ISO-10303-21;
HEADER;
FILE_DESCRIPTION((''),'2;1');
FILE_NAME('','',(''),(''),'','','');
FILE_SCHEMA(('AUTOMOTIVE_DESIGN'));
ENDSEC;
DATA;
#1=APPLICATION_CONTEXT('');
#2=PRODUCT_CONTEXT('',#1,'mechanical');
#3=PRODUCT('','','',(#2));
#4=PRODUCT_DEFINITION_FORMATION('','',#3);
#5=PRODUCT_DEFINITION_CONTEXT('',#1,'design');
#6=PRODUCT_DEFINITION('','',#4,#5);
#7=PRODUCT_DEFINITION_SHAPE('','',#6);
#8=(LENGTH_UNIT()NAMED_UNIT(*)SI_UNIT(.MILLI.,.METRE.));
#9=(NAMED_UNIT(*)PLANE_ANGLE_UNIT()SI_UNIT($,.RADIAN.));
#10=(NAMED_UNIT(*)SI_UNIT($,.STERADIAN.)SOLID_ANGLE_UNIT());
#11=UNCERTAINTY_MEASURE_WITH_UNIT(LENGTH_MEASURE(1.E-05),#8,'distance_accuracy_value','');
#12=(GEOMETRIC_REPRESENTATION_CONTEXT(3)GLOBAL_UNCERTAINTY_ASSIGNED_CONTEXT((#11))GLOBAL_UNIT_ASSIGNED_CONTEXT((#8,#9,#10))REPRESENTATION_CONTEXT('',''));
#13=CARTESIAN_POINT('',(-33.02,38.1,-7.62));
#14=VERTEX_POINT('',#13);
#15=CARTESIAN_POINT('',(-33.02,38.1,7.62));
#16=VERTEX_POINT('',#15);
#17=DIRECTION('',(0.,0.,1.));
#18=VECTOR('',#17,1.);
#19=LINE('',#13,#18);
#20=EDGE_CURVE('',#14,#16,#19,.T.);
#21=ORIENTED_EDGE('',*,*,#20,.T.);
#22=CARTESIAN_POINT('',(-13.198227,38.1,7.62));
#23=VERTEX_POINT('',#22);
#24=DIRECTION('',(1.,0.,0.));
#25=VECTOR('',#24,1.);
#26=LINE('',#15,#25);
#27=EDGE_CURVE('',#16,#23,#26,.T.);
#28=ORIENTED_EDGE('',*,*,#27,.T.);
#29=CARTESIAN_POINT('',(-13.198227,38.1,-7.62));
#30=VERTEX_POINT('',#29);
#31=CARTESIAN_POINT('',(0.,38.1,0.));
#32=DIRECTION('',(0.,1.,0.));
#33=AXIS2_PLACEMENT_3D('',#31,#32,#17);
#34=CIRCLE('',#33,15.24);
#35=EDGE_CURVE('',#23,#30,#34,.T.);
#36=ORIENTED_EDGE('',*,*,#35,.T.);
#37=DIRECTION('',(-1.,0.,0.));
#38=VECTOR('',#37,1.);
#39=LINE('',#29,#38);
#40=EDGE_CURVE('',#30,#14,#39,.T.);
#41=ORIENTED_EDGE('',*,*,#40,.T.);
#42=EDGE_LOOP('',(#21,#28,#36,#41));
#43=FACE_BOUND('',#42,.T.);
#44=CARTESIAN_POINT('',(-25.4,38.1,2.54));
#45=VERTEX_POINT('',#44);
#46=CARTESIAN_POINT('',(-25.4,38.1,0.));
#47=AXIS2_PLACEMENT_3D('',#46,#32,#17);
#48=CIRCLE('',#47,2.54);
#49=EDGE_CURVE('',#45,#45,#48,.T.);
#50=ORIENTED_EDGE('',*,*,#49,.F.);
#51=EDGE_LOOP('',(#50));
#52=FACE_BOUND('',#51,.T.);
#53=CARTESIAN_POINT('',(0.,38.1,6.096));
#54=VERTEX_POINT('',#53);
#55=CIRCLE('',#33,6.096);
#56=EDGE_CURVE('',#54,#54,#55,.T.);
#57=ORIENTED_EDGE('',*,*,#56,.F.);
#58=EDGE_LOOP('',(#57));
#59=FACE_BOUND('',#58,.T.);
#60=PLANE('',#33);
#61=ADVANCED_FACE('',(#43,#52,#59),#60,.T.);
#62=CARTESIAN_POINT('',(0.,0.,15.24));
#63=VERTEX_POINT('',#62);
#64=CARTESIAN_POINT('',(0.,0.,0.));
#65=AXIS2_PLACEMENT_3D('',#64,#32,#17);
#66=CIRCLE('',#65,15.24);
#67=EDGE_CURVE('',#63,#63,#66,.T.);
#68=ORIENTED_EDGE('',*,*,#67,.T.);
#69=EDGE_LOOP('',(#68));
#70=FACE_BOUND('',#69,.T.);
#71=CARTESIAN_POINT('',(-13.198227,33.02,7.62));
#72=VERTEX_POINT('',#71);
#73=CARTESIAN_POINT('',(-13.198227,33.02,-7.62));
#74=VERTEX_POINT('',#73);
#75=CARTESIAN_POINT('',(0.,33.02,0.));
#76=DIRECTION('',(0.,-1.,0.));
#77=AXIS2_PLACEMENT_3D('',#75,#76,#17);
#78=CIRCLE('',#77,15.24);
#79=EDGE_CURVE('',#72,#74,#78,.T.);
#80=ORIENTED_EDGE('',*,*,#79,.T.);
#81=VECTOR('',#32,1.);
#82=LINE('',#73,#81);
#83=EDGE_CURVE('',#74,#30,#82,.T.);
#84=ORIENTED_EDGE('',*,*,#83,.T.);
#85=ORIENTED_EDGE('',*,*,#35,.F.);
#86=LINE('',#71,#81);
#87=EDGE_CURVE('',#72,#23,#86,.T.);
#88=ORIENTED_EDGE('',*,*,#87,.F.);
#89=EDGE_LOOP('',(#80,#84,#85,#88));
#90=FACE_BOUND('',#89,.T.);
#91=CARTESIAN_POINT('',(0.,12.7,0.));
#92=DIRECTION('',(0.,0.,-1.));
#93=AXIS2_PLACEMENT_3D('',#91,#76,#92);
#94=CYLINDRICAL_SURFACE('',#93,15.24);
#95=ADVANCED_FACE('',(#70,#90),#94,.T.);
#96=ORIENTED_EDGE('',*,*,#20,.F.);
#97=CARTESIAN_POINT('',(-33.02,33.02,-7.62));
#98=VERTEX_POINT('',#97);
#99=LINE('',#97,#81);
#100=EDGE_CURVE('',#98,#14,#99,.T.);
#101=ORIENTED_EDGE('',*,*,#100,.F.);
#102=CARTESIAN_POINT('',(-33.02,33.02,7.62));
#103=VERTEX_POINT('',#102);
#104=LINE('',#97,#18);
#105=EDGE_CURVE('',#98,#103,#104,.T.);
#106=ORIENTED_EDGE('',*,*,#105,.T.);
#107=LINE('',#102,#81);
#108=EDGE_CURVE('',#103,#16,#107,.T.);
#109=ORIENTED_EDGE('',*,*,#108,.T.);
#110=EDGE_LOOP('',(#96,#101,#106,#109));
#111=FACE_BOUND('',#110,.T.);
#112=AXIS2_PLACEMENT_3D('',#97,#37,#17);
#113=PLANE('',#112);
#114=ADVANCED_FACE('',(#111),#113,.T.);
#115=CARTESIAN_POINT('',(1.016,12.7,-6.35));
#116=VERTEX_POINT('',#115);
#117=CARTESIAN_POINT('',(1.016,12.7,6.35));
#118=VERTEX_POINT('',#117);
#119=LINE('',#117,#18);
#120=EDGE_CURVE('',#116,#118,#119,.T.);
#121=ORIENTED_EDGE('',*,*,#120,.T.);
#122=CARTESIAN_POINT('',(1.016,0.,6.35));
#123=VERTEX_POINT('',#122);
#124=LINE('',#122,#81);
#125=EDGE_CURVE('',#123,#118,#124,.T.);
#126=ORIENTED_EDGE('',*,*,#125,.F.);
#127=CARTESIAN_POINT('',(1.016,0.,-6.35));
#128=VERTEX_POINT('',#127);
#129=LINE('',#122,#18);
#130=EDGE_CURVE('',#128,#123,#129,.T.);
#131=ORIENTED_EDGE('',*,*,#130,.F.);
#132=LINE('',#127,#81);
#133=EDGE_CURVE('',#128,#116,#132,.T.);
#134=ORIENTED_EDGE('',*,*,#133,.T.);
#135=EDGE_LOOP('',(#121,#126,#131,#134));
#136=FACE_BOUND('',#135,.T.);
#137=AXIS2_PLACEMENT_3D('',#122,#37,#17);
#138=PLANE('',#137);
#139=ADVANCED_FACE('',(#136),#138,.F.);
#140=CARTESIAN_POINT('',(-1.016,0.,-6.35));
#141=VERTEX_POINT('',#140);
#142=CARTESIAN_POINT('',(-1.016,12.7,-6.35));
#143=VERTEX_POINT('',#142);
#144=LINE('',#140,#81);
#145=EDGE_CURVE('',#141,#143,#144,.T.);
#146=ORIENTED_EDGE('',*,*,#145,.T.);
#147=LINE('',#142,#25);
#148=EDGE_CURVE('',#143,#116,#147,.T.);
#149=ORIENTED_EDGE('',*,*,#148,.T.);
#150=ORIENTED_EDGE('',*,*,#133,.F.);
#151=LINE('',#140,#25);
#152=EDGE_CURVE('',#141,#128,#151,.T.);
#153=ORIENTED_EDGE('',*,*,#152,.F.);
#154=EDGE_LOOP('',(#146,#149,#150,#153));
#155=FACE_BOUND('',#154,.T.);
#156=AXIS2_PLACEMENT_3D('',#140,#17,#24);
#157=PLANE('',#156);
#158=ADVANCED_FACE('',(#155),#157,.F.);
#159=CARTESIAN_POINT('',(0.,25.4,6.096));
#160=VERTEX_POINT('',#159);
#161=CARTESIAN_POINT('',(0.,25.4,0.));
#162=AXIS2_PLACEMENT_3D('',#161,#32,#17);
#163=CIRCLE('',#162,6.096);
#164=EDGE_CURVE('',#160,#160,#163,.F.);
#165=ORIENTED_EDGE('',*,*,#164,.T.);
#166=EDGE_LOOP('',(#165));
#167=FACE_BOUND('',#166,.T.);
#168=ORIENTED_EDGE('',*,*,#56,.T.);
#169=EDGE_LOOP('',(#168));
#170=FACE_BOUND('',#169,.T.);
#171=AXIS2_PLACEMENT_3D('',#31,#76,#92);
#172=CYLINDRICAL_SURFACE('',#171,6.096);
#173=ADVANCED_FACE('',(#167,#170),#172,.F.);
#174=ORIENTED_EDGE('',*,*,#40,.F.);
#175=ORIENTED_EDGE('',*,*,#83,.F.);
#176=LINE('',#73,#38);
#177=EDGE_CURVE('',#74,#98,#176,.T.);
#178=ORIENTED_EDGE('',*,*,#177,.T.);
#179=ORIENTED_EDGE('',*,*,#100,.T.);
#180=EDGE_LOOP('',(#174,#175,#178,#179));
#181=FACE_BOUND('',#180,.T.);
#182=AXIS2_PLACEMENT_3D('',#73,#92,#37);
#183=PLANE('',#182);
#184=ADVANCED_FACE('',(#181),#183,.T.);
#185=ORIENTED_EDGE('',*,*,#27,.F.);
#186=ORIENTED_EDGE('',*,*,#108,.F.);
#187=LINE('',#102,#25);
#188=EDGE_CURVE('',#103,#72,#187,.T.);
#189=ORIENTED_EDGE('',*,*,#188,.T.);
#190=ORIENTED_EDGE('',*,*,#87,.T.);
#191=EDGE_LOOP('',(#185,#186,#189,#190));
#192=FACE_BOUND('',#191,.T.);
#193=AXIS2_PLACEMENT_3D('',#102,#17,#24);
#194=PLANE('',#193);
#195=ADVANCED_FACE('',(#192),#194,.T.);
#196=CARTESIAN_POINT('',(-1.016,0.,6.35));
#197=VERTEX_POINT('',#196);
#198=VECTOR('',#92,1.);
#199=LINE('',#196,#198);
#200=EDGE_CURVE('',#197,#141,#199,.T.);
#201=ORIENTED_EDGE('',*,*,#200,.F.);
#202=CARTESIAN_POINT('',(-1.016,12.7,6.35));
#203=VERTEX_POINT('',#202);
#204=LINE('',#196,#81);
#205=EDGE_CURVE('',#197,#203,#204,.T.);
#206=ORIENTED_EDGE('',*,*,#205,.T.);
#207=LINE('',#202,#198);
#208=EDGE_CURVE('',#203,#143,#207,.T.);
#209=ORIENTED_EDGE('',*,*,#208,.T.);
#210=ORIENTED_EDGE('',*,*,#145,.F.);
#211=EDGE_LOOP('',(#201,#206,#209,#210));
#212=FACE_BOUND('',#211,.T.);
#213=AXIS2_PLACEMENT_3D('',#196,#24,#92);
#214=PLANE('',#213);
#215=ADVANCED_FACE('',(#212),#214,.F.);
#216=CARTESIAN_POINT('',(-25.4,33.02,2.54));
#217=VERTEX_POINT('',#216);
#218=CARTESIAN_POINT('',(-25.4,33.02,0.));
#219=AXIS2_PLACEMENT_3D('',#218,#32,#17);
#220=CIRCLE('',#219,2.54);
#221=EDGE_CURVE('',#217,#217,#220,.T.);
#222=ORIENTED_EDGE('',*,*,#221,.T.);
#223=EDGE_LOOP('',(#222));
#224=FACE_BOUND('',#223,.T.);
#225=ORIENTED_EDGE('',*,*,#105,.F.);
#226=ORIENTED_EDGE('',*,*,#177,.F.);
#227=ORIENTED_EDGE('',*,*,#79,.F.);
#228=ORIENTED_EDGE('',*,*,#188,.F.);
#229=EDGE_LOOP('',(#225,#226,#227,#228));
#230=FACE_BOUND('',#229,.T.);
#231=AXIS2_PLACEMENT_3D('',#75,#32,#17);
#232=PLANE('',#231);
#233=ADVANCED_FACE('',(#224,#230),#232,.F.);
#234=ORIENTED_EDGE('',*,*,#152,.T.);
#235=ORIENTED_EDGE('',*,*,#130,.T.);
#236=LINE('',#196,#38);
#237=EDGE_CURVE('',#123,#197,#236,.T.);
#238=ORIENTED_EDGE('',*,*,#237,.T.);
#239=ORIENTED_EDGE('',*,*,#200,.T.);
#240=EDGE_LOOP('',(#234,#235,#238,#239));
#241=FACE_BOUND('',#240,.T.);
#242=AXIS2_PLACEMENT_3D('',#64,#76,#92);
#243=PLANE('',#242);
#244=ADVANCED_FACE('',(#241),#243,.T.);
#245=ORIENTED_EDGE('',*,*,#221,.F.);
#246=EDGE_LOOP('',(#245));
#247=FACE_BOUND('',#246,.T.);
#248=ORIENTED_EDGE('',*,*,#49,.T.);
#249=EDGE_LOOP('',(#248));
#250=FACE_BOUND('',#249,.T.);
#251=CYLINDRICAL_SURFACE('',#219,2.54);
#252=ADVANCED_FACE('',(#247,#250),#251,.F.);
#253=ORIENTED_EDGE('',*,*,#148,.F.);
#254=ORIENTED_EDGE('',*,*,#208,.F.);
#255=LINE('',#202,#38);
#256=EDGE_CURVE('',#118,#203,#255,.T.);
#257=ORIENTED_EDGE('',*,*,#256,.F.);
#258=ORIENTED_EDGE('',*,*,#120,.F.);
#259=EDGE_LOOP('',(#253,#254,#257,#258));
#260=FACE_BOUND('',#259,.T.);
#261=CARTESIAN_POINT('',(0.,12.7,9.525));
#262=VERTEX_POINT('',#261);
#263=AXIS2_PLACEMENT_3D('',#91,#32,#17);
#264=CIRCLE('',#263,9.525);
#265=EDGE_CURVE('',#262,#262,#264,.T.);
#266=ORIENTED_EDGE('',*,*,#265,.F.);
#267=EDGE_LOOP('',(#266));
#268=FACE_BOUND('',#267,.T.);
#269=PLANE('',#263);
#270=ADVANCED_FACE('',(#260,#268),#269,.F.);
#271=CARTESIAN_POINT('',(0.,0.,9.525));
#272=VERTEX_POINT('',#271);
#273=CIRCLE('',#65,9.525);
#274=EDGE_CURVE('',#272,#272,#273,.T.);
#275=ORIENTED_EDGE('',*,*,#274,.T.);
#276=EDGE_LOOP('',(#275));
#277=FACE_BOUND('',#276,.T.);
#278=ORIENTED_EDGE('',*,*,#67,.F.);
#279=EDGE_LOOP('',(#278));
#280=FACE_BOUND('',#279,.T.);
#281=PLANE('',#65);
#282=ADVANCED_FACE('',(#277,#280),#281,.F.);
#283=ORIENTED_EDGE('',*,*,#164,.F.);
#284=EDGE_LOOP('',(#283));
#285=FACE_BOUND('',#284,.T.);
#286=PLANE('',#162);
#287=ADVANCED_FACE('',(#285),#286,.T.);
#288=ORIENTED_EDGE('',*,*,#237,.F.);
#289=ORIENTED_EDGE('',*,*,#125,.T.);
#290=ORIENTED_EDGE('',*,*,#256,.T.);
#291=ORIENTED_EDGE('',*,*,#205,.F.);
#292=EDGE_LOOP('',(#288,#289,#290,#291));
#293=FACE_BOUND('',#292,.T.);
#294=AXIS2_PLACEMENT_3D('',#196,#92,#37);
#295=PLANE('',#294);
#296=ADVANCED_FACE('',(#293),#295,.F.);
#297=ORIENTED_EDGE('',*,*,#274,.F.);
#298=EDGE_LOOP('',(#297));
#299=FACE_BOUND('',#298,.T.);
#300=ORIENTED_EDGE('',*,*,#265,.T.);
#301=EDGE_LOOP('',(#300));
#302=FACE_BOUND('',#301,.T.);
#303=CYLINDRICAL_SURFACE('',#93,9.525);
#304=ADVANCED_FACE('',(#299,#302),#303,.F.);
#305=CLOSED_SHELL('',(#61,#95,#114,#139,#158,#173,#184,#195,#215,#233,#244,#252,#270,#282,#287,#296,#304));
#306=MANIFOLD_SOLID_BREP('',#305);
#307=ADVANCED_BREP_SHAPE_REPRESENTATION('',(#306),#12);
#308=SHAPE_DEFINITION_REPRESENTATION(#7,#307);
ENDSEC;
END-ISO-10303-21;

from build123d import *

# Parameters (mm, degrees)
SKETCH1_R           = 15.24
SKETCH1_R_2         = 9.525
BOSS_EXTRUDE2_DEPTH = 12.7
SKETCH3_R           = 15.24
BOSS_EXTRUDE3_DEPTH = 12.7
SKETCH4_R           = 15.24
SKETCH4_R_2         = 6.096
BOSS_EXTRUDE4_DEPTH = 12.7
SKETCH5_W           = 2.032
SKETCH5_H           = 12.7
BOSS_EXTRUDE5_DEPTH = 12.7
BOSS_EXTRUDE6_START = -5.08
BOSS_EXTRUDE6_DEPTH = 5.08
SKETCH7_R           = 2.54
CUT_EXTRUDE1_DEPTH  = 5.08


with BuildPart() as part:
    # Sketch1 → Boss-Extrude2 (new body)
    with BuildSketch(Plane(origin=(0, 0, 0), x_dir=(1, 0, 0), z_dir=(0, 1, 0))):
        with Locations(Location((0, 0, 0), (0, 0, 270))):
            Circle(SKETCH1_R)
        with Locations(Location((0, 0, 0), (0, 0, 270))):
            Circle(SKETCH1_R_2, mode=Mode.SUBTRACT)
    extrude(amount=BOSS_EXTRUDE2_DEPTH)

    # Sketch3 → Boss-Extrude3 (add)
    with BuildSketch(Plane(origin=(0, 12.7, 0), x_dir=(1, 0, 0), z_dir=(0, 1, 0))):
        with Locations(Location((0, 0, 0), (0, 0, 270))):
            Circle(SKETCH3_R)
    extrude(amount=BOSS_EXTRUDE3_DEPTH)

    # Sketch4 → Boss-Extrude4 (add)
    with BuildSketch(Plane(origin=(0, 25.4, 0), x_dir=(1, 0, 0), z_dir=(0, 1, 0))):
        with Locations(Location((0, 0, 0), (0, 0, 270))):
            Circle(SKETCH4_R)
        with Locations(Location((0, 0, 0), (0, 0, 270))):
            Circle(SKETCH4_R_2, mode=Mode.SUBTRACT)
    extrude(amount=BOSS_EXTRUDE4_DEPTH)

    # Sketch5 → Boss-Extrude5 (add)
    with BuildSketch(Plane.XZ.offset(-12.7)):
        Rectangle(SKETCH5_W, SKETCH5_H)
    extrude(amount=BOSS_EXTRUDE5_DEPTH)

    # Sketch6 → Boss-Extrude6 (add)
    with BuildSketch(Plane(origin=(0, 38.1, 0), x_dir=(1, 0, 0), z_dir=(0, 1, 0)).offset(BOSS_EXTRUDE6_START)):
        with BuildLine():
            Line((-13.198227154, 7.62), (-33.02, 7.62))
            Line((-33.02, 7.62), (-33.02, -7.62))
            Line((-33.02, -7.62), (-13.198227154, -7.62))
            ThreePointArc((-13.198227154, -7.62), (-15.24, 0), (-13.198227154, 7.62))
        make_face()
    extrude(amount=BOSS_EXTRUDE6_DEPTH)

    # Sketch7 → Cut-Extrude1 (cut)
    with BuildSketch(Plane(origin=(0, 38.1, 0), x_dir=(1, 0, 0), z_dir=(0, 1, 0))):
        with Locations(Location((-25.4, 0, 0), (0, 0, 270))):
            Circle(SKETCH7_R)
    extrude(amount=-CUT_EXTRUDE1_DEPTH, mode=Mode.SUBTRACT)


solid = part.part
